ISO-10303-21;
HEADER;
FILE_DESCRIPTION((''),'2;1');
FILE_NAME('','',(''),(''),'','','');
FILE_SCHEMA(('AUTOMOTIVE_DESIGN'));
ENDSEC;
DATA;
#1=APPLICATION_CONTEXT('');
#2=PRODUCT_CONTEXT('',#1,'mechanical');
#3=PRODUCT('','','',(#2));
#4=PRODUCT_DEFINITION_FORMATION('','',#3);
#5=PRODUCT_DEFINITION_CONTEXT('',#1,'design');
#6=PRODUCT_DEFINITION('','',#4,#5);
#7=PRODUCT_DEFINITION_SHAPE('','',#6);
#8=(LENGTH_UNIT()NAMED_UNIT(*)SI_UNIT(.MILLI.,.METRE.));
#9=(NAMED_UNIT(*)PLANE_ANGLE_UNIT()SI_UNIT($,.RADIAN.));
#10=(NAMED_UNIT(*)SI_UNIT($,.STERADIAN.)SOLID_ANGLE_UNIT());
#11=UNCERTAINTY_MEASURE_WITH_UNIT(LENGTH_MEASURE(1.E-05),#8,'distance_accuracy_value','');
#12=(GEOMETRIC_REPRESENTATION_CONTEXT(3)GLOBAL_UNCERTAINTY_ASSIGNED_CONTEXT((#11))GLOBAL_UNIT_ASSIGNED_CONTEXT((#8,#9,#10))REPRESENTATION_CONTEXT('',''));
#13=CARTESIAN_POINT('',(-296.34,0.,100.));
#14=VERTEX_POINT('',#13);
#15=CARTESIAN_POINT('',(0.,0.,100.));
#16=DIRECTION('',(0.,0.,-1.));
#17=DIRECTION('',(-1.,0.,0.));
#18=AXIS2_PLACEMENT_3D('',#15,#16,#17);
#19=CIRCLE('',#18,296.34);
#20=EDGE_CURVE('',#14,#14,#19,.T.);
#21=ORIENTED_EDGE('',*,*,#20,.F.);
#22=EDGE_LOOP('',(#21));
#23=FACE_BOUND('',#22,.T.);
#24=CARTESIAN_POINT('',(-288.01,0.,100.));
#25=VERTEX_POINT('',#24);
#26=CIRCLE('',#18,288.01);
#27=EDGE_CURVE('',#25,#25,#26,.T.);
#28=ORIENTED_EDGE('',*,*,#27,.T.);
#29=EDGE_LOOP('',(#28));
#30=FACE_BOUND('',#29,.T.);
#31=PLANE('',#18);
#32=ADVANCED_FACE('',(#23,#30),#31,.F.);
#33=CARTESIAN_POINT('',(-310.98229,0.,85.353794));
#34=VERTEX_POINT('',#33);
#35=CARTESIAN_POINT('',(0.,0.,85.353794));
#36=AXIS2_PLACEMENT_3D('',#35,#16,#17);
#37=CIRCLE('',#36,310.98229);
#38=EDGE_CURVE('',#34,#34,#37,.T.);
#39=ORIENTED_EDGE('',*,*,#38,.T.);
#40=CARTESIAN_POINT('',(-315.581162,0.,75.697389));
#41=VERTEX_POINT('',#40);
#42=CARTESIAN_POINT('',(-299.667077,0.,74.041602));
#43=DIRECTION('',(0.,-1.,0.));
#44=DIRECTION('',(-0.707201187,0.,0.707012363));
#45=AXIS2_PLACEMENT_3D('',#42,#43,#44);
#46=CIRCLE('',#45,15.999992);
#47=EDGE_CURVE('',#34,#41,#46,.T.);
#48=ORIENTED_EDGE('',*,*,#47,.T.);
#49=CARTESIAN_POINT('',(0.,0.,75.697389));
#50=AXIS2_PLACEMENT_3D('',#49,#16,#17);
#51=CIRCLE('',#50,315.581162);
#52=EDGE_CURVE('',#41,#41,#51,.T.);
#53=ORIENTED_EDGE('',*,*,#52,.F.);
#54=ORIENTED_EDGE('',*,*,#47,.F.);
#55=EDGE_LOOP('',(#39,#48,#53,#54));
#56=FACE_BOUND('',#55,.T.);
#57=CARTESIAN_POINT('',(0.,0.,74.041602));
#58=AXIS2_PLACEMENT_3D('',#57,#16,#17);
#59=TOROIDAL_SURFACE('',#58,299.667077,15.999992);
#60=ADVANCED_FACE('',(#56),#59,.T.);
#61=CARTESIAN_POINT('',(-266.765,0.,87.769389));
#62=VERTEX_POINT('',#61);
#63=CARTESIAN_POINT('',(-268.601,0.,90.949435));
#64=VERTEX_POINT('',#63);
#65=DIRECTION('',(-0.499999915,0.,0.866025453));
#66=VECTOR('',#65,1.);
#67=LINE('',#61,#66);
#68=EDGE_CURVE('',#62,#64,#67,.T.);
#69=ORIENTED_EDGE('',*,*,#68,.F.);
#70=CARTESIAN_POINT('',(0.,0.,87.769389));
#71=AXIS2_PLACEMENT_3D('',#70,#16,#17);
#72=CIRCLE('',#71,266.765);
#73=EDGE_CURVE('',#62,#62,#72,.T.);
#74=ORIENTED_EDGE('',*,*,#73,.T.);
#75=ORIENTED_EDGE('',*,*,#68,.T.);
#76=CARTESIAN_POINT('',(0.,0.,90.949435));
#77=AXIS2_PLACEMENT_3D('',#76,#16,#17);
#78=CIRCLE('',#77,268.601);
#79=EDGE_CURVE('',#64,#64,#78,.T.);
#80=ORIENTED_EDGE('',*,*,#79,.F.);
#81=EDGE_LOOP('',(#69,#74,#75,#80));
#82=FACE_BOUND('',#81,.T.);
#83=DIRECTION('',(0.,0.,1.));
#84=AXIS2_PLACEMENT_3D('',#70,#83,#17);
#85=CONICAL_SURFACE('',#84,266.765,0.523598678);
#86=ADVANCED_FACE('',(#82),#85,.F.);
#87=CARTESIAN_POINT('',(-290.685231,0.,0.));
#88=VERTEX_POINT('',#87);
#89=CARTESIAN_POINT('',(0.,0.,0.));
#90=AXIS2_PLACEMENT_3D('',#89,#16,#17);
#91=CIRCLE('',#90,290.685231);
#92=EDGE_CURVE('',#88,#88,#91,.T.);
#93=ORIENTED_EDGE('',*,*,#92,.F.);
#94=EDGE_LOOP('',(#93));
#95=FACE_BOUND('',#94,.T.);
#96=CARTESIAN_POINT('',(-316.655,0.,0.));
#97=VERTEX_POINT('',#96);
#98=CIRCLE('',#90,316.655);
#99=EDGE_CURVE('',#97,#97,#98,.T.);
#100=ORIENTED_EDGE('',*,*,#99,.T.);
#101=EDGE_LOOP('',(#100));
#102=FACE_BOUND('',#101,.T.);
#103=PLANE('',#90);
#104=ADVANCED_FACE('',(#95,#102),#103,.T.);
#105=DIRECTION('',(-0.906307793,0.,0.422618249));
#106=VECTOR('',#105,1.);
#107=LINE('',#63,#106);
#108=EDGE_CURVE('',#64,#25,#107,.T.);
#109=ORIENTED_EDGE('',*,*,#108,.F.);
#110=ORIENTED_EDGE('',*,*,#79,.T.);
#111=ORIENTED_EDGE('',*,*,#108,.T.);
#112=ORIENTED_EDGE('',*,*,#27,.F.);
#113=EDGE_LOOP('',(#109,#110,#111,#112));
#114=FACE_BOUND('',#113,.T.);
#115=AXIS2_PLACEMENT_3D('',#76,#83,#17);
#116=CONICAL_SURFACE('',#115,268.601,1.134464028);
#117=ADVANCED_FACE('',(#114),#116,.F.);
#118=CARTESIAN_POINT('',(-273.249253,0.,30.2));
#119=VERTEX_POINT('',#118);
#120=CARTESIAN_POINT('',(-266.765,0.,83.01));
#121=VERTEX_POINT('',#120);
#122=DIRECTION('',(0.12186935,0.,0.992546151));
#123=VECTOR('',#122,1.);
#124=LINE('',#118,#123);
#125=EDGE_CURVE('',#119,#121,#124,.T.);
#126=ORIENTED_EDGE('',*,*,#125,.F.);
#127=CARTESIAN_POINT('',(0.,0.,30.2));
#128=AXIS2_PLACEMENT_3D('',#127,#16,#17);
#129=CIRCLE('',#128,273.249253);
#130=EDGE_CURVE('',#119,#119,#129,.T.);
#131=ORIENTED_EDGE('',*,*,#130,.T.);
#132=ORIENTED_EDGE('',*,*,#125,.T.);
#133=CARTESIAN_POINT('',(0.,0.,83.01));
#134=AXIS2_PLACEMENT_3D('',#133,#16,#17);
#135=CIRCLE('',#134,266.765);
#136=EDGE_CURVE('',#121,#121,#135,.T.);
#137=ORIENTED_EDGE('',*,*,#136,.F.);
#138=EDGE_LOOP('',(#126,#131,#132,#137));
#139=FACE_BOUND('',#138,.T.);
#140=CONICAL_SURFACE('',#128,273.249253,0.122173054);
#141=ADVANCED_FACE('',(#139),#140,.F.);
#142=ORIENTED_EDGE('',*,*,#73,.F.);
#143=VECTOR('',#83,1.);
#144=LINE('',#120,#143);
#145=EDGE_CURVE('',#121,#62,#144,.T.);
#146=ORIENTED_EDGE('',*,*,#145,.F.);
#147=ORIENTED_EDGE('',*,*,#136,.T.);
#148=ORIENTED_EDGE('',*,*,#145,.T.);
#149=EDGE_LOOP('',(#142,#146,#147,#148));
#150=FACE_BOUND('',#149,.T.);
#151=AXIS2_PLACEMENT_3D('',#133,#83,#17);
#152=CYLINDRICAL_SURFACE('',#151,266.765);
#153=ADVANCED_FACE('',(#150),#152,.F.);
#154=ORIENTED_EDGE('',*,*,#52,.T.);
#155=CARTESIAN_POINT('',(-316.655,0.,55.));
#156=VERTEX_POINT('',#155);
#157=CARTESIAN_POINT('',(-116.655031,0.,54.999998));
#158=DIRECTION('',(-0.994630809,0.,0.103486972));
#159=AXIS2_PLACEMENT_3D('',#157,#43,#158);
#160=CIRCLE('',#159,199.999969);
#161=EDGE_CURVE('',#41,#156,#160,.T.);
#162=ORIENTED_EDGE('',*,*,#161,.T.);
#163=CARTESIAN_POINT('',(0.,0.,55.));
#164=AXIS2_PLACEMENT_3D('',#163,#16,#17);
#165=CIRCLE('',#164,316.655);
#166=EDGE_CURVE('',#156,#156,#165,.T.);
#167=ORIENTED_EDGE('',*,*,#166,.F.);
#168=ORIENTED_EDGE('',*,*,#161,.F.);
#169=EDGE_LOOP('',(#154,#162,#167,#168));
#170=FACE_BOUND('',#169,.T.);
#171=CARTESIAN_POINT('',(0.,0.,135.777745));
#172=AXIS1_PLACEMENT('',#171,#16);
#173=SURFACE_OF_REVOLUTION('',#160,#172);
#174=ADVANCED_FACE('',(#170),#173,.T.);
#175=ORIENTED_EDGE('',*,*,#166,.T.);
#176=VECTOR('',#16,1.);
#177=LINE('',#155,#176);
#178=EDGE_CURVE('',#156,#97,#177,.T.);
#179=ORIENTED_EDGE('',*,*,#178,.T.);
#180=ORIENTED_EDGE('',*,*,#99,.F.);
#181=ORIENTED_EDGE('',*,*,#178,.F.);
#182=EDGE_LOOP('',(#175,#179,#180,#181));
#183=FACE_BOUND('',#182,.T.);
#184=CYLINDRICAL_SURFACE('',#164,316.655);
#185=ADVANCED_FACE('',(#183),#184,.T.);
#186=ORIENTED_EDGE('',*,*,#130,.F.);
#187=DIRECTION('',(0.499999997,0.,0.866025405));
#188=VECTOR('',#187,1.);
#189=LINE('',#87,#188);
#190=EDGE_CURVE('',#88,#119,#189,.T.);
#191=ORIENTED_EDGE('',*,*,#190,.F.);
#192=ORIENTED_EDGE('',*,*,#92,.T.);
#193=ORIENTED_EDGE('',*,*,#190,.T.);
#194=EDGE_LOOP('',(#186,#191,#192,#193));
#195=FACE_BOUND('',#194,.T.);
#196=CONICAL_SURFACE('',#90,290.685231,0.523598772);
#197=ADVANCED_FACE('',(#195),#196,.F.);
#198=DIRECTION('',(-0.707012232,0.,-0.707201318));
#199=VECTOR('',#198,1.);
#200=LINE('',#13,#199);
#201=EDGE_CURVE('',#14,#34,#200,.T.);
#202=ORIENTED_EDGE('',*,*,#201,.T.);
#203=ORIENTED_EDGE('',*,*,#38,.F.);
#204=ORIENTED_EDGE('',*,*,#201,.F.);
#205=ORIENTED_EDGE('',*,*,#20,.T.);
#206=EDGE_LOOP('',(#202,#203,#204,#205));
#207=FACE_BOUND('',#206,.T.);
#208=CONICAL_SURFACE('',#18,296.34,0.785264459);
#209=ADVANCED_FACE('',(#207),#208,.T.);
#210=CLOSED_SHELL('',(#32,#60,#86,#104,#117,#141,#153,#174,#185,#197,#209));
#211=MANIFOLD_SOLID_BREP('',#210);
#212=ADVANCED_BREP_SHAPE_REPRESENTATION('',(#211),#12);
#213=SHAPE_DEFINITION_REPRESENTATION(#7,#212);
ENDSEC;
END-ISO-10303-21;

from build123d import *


with BuildPart() as f1:
    # F0 (on Front) → F1 (revolve)
    with BuildSketch(Plane.XZ):
        with BuildLine():
            ThreePointArc((-315.581162, 75.697389), (-316.38636, 65.362614), (-316.655, 55))
            Line((-316.655, 55), (-316.655, 0))
            Line((-316.655, 0), (-290.685231, 0))
            Line((-290.685231, 0), (-273.249253, 30.2))
            Line((-273.249253, 30.2), (-266.765, 83.01))
            Line((-266.765, 83.01), (-266.765, 87.769389))
            Line((-266.765, 87.769389), (-268.601, 90.949435))
            Line((-268.601, 90.949435), (-288.01, 100))
            Line((-288.01, 100), (-296.34, 100))
            Line((-296.34, 100), (-310.98229, 85.353794))
            ThreePointArc((-310.98229, 85.353794), (-314.112499, 80.921247), (-315.581162, 75.697389))
        make_face()
    revolve(axis=Axis((0, 0, 135.777745), (0, 0, -1)))


solid = f1.part
